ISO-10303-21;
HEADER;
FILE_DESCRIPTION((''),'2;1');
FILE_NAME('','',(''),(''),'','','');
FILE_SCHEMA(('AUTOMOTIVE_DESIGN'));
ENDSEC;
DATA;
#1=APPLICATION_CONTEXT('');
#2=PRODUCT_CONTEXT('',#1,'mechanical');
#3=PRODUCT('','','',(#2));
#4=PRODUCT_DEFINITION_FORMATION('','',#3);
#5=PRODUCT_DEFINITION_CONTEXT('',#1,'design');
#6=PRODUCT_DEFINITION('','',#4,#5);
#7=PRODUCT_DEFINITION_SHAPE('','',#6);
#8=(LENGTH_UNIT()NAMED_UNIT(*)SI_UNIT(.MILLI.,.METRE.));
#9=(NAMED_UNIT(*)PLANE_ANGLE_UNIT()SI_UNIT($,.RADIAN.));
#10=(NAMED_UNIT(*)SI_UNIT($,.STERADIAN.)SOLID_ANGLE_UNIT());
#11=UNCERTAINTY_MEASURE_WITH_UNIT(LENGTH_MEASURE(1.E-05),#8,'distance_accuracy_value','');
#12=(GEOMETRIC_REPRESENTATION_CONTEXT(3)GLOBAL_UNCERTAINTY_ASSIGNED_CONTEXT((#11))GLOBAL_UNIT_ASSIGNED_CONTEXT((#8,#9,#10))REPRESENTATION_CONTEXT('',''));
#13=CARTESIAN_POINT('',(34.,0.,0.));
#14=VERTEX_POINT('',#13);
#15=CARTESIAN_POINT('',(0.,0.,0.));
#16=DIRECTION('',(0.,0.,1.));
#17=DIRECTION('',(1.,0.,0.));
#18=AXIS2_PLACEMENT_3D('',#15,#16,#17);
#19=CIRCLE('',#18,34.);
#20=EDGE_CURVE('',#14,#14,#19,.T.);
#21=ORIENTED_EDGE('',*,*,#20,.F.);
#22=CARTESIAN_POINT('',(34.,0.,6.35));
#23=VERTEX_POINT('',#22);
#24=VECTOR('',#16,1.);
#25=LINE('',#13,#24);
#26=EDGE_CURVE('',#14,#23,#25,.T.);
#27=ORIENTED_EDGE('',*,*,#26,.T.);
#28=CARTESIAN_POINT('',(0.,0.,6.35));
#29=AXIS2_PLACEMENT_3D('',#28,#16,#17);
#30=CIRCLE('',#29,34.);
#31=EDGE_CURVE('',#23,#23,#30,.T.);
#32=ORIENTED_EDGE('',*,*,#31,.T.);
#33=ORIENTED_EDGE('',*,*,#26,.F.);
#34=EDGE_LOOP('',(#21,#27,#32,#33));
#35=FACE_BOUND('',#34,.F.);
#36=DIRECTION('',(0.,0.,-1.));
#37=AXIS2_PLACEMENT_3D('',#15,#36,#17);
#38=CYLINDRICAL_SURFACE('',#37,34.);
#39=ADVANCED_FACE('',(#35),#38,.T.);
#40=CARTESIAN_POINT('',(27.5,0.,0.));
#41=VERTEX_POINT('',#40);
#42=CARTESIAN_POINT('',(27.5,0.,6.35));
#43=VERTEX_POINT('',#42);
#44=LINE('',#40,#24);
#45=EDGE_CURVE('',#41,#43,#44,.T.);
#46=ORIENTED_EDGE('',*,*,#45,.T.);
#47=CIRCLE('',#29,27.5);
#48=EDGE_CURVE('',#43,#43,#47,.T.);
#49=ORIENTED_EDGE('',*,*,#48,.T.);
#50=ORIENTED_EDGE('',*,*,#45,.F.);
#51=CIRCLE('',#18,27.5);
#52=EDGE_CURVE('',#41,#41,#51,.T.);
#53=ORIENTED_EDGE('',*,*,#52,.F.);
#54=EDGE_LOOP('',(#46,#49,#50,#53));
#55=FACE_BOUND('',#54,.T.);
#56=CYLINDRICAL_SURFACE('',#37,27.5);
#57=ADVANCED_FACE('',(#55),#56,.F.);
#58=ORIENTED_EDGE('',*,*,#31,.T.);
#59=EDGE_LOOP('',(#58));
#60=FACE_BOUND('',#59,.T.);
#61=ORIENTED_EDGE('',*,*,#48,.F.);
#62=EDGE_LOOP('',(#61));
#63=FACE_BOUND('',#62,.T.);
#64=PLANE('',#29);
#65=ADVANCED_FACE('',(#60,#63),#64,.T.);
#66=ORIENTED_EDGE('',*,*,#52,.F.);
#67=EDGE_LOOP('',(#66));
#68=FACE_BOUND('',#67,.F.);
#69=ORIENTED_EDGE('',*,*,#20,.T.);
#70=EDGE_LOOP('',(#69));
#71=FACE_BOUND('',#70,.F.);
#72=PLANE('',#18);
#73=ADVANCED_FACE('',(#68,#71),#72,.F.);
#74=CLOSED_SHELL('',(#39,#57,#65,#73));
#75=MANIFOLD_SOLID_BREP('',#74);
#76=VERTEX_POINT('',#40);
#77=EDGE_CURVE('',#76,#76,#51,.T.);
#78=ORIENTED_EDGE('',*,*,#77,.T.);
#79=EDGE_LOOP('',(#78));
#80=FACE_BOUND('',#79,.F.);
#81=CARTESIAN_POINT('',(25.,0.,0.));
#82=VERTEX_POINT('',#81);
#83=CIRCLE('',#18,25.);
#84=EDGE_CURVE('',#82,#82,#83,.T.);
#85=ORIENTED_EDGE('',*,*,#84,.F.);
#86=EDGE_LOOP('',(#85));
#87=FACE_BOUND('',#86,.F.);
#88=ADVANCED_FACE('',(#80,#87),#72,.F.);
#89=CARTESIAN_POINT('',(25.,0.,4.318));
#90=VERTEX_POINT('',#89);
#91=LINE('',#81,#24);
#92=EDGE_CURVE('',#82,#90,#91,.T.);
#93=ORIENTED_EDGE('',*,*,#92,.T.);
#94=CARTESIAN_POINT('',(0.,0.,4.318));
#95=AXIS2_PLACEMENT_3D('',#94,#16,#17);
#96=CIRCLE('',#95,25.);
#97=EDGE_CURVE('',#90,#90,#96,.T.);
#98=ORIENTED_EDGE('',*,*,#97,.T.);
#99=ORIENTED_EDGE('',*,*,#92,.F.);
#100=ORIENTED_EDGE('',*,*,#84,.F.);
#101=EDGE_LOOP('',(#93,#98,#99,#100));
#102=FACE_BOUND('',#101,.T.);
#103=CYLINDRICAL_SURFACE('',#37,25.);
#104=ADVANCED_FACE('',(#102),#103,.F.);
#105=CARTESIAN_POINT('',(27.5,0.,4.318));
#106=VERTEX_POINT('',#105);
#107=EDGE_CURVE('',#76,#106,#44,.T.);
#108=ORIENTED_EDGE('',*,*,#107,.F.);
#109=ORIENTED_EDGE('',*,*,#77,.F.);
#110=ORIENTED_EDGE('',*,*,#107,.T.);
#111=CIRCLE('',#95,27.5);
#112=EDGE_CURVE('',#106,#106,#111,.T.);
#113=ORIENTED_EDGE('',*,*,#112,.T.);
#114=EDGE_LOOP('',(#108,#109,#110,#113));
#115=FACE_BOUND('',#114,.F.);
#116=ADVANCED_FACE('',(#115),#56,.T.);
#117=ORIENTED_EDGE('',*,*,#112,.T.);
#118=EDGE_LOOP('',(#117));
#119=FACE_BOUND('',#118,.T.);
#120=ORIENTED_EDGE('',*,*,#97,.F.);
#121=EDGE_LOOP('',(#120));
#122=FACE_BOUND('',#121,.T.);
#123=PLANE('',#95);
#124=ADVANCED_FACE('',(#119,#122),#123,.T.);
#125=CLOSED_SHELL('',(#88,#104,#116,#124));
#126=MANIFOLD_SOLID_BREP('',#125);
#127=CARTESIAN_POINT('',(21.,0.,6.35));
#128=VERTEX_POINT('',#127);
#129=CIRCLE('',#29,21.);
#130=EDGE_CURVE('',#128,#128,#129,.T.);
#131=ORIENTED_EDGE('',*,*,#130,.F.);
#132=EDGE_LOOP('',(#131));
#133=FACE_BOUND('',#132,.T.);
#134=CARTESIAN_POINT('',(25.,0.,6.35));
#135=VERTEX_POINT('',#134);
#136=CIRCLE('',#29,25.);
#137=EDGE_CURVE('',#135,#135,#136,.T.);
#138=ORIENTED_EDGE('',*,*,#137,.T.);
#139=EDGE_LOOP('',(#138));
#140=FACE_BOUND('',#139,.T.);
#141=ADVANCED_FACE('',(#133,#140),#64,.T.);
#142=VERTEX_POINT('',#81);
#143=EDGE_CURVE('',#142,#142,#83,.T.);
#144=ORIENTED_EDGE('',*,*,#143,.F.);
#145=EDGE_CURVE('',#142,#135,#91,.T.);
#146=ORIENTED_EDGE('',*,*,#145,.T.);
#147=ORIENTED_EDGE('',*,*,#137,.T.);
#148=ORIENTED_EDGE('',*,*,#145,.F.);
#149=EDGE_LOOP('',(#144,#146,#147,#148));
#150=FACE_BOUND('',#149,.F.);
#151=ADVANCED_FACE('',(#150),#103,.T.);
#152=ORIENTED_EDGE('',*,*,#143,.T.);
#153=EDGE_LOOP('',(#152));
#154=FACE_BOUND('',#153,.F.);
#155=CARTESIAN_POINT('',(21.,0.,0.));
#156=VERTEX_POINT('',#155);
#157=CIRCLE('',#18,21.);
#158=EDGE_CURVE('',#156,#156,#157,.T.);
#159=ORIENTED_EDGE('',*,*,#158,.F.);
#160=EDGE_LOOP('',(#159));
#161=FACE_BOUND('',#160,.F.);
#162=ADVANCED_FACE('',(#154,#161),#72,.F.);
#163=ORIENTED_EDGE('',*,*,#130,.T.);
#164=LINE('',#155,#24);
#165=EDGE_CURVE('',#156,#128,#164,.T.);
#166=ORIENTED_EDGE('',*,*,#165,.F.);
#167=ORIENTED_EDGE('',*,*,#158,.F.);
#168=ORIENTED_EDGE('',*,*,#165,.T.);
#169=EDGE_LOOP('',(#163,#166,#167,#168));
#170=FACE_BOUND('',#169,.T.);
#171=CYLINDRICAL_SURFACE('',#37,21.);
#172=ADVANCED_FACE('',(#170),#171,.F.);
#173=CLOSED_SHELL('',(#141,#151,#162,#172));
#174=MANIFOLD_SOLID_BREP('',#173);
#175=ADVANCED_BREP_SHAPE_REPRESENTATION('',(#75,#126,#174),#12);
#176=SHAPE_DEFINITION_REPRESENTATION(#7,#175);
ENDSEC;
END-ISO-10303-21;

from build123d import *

# Parameters (mm, degrees)
F0_R     = 34
F0_R_2   = 27.5
F0_R_3   = 25
F0_R_4   = 21
F1_DEPTH = 6.35
F2_DEPTH = 4.318


with BuildPart() as f1:
    # F0 (on Top) → F1 (new body)
    with BuildSketch(Plane.XY):
        Circle(F0_R)
        Circle(F0_R_2, mode=Mode.SUBTRACT)
        Circle(F0_R_3)
        Circle(F0_R_4, mode=Mode.SUBTRACT)
    extrude(amount=F1_DEPTH)


with BuildPart() as f2:
    # F0 (on Top) → F2 (new body)
    with BuildSketch(Plane.XY):
        Circle(F0_R_2)
        Circle(F0_R_3, mode=Mode.SUBTRACT)
    extrude(amount=F2_DEPTH)


solid = Compound([f1.part, f2.part])
